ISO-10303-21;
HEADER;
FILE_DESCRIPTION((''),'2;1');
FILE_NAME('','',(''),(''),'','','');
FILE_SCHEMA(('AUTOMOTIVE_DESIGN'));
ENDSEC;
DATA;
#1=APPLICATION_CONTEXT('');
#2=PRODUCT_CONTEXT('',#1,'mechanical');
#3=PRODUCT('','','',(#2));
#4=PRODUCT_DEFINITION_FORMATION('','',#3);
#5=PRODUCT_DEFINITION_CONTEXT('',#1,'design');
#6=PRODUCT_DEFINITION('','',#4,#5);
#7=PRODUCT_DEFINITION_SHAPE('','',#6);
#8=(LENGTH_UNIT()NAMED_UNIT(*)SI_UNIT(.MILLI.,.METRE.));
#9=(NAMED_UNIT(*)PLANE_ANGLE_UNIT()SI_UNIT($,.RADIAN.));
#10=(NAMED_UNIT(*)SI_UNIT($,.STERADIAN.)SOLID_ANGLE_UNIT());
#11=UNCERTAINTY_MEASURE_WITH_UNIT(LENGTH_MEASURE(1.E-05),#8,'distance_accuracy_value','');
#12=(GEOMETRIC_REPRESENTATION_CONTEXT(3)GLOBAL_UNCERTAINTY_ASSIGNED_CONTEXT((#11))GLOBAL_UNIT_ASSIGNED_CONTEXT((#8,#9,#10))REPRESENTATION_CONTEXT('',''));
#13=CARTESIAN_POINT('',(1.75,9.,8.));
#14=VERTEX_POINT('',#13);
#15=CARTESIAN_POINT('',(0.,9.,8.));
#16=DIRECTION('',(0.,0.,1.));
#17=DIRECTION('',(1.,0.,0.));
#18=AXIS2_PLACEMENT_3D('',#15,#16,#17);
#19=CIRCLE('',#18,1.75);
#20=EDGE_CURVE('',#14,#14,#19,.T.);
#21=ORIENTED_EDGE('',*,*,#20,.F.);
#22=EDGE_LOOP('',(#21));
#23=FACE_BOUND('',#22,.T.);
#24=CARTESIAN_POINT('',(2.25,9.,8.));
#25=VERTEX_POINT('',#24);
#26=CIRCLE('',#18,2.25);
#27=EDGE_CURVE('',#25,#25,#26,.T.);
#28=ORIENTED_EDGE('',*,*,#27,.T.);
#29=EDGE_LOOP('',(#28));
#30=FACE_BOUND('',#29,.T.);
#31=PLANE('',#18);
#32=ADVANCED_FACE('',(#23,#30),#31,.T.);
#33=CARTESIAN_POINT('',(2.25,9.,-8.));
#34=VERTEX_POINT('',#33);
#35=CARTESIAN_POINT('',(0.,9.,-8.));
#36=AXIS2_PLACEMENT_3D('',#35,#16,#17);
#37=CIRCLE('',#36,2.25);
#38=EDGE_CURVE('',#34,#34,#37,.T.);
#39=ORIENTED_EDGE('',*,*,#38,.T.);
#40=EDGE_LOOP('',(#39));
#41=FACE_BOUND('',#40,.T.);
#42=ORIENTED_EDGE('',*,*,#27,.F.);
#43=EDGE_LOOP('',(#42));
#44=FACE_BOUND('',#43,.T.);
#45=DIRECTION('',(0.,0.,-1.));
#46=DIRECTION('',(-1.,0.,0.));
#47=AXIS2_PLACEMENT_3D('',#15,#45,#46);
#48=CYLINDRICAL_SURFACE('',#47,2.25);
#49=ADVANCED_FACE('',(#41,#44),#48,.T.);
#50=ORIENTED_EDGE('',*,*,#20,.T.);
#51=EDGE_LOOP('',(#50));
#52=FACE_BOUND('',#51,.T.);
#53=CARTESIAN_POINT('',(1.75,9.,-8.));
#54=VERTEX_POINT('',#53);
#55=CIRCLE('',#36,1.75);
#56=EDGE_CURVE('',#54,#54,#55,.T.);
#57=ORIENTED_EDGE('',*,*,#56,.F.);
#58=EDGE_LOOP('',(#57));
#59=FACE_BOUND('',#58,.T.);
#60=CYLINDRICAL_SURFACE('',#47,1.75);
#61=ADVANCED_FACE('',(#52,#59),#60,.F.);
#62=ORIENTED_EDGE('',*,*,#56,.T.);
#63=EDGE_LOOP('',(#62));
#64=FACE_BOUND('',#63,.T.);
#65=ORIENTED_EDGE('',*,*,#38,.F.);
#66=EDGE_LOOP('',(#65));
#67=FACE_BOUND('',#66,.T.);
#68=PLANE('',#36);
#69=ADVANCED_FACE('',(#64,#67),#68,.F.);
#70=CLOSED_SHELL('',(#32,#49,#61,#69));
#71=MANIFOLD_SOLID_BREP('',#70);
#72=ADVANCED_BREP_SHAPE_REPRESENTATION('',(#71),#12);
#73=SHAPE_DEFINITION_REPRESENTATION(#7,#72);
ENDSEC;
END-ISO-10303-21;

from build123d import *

# Parameters (mm, degrees)
ESQUISSE1_R          = 2.25
ESQUISSE1_R_2        = 1.75
BASE_EXTRUSION_DEPTH = 8


with BuildPart() as part:
    # Esquisse1 → Base-Extrusion (new, symmetric)
    with BuildSketch(Plane.XY):
        with Locations((0, 9)):
            Circle(ESQUISSE1_R)
        with Locations((0, 9)):
            Circle(ESQUISSE1_R_2, mode=Mode.SUBTRACT)
    extrude(amount=BASE_EXTRUSION_DEPTH, both=True)


solid = part.part
